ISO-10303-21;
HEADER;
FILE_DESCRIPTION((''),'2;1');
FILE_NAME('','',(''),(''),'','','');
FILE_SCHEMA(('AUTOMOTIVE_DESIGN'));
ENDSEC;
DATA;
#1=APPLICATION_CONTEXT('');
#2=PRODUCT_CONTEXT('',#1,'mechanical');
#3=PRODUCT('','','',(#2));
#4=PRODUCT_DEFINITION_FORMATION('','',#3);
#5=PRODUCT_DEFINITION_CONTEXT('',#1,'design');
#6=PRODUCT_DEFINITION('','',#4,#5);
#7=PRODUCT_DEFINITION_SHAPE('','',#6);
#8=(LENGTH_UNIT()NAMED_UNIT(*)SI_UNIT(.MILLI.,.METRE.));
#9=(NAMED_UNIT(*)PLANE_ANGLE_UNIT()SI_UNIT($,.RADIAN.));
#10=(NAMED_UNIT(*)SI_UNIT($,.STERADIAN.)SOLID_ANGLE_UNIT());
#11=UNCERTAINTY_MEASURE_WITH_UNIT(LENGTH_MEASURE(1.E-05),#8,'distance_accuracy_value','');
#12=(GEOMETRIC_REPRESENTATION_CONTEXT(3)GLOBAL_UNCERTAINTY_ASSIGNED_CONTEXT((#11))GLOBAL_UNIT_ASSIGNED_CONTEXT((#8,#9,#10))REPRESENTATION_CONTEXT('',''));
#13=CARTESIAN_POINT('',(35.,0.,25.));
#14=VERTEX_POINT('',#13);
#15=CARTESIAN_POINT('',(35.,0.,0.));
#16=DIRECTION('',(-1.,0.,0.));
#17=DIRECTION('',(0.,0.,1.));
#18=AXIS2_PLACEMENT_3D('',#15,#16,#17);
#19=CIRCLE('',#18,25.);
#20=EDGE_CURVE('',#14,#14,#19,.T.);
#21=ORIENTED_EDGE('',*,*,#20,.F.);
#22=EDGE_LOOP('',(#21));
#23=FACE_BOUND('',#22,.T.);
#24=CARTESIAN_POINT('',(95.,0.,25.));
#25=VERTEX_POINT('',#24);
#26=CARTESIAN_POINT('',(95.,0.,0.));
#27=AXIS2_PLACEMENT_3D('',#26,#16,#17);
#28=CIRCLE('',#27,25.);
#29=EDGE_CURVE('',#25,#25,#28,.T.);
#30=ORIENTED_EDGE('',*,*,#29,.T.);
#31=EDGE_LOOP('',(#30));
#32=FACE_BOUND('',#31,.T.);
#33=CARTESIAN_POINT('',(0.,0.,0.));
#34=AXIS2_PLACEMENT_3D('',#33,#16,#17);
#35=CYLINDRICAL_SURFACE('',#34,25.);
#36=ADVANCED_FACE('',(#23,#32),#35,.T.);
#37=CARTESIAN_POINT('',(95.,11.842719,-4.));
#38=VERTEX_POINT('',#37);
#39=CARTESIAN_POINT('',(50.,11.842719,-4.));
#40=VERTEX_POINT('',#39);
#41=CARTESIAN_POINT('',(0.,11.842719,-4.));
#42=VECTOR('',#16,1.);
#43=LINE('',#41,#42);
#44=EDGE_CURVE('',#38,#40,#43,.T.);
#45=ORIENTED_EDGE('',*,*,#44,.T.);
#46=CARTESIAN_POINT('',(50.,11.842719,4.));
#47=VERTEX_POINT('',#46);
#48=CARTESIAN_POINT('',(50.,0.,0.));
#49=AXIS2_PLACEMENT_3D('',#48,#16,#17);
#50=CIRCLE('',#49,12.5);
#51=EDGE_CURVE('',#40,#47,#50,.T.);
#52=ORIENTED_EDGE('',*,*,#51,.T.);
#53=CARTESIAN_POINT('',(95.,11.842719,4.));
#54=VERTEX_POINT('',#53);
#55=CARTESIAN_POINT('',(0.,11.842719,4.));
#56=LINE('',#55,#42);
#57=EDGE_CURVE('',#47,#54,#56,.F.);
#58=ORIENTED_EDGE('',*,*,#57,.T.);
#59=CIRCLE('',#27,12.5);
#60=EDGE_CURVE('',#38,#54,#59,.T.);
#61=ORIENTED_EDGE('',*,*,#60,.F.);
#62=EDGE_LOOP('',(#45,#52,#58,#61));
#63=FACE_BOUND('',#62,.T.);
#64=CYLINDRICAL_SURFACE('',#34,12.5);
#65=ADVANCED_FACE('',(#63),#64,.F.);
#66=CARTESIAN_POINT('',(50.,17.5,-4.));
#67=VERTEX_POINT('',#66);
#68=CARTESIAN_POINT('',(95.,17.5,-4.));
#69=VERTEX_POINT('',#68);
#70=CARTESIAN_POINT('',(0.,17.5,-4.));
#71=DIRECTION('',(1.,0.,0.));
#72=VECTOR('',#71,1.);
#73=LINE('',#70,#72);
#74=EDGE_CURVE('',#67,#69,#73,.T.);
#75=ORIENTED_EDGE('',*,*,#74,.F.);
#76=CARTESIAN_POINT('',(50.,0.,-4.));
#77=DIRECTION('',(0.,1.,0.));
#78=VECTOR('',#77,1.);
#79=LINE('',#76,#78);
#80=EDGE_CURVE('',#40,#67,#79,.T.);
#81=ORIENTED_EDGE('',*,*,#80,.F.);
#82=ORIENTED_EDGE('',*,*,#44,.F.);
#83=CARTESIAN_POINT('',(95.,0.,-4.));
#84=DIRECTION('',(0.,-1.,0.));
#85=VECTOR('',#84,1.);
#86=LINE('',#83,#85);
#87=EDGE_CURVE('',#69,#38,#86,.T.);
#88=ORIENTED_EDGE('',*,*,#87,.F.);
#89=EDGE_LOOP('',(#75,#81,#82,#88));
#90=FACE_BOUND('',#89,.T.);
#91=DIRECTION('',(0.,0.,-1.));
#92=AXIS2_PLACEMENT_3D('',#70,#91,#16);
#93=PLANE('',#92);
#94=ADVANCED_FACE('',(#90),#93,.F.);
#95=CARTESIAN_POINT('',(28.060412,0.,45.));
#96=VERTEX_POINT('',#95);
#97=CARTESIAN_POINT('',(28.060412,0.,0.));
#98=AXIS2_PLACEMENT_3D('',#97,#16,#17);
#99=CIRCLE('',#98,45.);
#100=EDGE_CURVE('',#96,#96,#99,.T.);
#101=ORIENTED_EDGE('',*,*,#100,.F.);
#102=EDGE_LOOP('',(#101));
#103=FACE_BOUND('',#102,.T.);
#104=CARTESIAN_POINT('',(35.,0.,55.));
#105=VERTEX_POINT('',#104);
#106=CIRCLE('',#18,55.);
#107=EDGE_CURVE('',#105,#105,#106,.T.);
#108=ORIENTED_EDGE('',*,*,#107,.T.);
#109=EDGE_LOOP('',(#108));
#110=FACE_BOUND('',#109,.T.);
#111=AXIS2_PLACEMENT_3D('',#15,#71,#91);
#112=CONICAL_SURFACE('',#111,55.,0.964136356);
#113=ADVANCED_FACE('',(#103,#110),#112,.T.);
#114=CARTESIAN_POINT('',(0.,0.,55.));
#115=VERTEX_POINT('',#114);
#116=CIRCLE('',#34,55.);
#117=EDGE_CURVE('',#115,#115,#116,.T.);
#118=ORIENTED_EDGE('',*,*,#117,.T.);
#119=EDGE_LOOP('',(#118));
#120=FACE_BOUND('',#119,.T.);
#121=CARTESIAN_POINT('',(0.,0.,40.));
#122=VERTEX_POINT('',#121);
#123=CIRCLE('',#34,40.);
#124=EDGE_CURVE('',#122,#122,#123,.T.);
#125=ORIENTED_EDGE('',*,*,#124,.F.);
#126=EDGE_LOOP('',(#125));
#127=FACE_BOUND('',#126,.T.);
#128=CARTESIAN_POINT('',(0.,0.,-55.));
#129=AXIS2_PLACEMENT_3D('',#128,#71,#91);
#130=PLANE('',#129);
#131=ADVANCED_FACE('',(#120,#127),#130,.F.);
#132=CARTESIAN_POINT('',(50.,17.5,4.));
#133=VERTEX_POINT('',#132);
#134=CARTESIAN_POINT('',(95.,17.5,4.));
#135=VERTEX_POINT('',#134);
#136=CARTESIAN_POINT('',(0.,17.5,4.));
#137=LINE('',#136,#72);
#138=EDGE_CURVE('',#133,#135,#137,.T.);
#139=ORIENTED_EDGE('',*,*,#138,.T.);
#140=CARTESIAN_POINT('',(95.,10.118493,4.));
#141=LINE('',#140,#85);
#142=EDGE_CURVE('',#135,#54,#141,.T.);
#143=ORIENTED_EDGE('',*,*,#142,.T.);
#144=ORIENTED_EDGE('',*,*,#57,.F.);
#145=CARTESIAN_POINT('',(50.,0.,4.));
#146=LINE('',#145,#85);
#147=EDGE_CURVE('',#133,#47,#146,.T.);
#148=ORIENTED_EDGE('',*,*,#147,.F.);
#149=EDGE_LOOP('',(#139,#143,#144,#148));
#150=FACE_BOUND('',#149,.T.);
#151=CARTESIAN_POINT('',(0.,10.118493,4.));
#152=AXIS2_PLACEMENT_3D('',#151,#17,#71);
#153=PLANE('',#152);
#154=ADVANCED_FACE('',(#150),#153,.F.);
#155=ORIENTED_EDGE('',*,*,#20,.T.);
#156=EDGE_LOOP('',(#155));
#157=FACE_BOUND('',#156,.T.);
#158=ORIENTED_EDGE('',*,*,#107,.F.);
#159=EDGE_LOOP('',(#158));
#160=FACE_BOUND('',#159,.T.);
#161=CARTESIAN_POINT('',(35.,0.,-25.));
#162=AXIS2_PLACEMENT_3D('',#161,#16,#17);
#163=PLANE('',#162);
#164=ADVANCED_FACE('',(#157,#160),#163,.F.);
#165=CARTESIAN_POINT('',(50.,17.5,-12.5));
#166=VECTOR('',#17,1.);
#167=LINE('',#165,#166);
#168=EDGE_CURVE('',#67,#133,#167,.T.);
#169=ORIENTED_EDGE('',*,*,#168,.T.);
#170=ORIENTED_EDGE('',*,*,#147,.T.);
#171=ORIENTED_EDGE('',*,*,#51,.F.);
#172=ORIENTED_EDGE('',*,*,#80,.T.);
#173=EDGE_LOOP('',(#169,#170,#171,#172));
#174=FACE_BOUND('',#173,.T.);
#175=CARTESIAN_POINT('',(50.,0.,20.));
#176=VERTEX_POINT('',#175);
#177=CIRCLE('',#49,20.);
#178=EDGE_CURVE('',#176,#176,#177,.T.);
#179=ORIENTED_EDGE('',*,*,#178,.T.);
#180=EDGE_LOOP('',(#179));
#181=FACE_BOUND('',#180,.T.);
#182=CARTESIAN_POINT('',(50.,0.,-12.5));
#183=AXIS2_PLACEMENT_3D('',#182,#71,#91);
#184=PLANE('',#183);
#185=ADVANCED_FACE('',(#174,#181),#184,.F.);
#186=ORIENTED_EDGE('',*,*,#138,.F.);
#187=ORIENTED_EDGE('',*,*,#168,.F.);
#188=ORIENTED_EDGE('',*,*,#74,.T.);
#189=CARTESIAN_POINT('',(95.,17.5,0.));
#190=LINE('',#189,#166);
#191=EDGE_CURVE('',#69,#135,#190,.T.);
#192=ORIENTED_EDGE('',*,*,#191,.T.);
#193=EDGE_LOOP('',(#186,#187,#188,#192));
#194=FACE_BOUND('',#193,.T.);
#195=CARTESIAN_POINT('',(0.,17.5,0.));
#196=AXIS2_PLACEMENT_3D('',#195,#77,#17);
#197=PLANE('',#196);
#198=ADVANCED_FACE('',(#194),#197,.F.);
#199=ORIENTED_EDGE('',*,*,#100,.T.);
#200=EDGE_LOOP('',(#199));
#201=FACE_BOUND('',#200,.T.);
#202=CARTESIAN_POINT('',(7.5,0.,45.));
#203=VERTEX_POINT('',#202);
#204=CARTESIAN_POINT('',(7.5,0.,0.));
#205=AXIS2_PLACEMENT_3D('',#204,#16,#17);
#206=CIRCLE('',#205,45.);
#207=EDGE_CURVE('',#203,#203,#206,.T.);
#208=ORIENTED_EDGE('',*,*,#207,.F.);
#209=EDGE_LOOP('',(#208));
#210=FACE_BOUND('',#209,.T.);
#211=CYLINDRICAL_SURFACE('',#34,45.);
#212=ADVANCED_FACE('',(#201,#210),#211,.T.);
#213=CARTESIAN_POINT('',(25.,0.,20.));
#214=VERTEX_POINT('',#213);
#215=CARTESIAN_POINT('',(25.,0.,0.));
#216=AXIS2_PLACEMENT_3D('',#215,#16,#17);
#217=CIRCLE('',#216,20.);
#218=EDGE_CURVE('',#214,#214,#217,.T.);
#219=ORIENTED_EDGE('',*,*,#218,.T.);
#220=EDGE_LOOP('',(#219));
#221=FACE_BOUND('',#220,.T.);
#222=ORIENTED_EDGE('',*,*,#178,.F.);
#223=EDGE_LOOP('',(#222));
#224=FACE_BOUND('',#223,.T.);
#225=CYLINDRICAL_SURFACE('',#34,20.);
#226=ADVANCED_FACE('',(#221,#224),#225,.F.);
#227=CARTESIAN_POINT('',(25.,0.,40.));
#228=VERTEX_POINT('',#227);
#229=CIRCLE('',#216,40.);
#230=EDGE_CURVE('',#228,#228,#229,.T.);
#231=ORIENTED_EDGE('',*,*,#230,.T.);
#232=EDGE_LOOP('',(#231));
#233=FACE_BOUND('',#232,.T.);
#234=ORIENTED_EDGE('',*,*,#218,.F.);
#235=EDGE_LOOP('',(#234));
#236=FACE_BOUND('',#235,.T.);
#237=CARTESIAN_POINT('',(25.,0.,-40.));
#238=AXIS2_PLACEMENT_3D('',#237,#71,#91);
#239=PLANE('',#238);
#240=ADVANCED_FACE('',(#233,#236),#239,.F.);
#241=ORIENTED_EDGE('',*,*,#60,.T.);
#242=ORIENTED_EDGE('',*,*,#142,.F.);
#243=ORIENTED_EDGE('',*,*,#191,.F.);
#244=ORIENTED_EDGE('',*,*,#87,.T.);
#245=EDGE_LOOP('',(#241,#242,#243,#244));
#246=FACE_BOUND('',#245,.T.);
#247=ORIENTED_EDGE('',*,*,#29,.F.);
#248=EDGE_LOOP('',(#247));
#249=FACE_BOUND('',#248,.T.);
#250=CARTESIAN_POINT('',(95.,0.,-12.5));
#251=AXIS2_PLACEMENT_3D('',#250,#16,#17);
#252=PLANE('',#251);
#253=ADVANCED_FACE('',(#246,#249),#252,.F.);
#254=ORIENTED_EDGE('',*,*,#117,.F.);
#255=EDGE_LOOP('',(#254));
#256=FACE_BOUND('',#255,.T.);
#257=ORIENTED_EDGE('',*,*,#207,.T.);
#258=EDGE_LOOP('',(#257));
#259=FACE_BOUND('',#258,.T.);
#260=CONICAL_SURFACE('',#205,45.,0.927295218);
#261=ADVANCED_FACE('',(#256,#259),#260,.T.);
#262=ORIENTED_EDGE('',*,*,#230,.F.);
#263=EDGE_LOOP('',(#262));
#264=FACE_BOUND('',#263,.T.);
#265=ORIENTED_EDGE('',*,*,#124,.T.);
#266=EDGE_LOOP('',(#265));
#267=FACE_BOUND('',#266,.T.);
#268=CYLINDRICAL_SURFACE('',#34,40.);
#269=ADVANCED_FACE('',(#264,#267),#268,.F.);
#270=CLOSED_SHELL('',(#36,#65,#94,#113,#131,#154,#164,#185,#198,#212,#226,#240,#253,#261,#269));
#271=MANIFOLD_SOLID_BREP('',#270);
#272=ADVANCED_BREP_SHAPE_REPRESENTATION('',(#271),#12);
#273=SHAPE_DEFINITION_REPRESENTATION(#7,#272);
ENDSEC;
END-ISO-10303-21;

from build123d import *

# Parameters (mm, degrees)
CUT_EXTRUDE2_DEPTH = 123.780291578


with BuildPart() as part:
    # Sketch1 → Revolve1 (revolve)
    with BuildSketch(Plane(origin=(0, 0, 0), x_dir=(1, 0, 0), z_dir=(0, 1, 0)), mode=Mode.PRIVATE) as revolve1_sk:
        Polygon((95, 12.5), (95, 25), (35, 25), (35, 55), (28.060411696, 45), (7.5, 45), (0, 55), (0, 40), (25, 40), (25, 20), (50, 20), (50, 12.5), align=None)
    revolve(revolve1_sk.sketch.rotate(Axis((0, 0, 0), (1, 0, 0)), 180), axis=Axis((0, 0, 0), (1, 0, 0)))

    # Sketch3 → Cut-Extrude2 (cut, through all)
    with BuildSketch(Plane(origin=(95, 0, 0), x_dir=(0, 0, -1), z_dir=(1, 0, 0))):
        Polygon((0, 17.5), (-4, 17.5), (-4, 10.118492904), (4, 10.118492904), (4, 17.5), align=None)
    extrude(amount=-CUT_EXTRUDE2_DEPTH, mode=Mode.SUBTRACT)


solid = part.part
